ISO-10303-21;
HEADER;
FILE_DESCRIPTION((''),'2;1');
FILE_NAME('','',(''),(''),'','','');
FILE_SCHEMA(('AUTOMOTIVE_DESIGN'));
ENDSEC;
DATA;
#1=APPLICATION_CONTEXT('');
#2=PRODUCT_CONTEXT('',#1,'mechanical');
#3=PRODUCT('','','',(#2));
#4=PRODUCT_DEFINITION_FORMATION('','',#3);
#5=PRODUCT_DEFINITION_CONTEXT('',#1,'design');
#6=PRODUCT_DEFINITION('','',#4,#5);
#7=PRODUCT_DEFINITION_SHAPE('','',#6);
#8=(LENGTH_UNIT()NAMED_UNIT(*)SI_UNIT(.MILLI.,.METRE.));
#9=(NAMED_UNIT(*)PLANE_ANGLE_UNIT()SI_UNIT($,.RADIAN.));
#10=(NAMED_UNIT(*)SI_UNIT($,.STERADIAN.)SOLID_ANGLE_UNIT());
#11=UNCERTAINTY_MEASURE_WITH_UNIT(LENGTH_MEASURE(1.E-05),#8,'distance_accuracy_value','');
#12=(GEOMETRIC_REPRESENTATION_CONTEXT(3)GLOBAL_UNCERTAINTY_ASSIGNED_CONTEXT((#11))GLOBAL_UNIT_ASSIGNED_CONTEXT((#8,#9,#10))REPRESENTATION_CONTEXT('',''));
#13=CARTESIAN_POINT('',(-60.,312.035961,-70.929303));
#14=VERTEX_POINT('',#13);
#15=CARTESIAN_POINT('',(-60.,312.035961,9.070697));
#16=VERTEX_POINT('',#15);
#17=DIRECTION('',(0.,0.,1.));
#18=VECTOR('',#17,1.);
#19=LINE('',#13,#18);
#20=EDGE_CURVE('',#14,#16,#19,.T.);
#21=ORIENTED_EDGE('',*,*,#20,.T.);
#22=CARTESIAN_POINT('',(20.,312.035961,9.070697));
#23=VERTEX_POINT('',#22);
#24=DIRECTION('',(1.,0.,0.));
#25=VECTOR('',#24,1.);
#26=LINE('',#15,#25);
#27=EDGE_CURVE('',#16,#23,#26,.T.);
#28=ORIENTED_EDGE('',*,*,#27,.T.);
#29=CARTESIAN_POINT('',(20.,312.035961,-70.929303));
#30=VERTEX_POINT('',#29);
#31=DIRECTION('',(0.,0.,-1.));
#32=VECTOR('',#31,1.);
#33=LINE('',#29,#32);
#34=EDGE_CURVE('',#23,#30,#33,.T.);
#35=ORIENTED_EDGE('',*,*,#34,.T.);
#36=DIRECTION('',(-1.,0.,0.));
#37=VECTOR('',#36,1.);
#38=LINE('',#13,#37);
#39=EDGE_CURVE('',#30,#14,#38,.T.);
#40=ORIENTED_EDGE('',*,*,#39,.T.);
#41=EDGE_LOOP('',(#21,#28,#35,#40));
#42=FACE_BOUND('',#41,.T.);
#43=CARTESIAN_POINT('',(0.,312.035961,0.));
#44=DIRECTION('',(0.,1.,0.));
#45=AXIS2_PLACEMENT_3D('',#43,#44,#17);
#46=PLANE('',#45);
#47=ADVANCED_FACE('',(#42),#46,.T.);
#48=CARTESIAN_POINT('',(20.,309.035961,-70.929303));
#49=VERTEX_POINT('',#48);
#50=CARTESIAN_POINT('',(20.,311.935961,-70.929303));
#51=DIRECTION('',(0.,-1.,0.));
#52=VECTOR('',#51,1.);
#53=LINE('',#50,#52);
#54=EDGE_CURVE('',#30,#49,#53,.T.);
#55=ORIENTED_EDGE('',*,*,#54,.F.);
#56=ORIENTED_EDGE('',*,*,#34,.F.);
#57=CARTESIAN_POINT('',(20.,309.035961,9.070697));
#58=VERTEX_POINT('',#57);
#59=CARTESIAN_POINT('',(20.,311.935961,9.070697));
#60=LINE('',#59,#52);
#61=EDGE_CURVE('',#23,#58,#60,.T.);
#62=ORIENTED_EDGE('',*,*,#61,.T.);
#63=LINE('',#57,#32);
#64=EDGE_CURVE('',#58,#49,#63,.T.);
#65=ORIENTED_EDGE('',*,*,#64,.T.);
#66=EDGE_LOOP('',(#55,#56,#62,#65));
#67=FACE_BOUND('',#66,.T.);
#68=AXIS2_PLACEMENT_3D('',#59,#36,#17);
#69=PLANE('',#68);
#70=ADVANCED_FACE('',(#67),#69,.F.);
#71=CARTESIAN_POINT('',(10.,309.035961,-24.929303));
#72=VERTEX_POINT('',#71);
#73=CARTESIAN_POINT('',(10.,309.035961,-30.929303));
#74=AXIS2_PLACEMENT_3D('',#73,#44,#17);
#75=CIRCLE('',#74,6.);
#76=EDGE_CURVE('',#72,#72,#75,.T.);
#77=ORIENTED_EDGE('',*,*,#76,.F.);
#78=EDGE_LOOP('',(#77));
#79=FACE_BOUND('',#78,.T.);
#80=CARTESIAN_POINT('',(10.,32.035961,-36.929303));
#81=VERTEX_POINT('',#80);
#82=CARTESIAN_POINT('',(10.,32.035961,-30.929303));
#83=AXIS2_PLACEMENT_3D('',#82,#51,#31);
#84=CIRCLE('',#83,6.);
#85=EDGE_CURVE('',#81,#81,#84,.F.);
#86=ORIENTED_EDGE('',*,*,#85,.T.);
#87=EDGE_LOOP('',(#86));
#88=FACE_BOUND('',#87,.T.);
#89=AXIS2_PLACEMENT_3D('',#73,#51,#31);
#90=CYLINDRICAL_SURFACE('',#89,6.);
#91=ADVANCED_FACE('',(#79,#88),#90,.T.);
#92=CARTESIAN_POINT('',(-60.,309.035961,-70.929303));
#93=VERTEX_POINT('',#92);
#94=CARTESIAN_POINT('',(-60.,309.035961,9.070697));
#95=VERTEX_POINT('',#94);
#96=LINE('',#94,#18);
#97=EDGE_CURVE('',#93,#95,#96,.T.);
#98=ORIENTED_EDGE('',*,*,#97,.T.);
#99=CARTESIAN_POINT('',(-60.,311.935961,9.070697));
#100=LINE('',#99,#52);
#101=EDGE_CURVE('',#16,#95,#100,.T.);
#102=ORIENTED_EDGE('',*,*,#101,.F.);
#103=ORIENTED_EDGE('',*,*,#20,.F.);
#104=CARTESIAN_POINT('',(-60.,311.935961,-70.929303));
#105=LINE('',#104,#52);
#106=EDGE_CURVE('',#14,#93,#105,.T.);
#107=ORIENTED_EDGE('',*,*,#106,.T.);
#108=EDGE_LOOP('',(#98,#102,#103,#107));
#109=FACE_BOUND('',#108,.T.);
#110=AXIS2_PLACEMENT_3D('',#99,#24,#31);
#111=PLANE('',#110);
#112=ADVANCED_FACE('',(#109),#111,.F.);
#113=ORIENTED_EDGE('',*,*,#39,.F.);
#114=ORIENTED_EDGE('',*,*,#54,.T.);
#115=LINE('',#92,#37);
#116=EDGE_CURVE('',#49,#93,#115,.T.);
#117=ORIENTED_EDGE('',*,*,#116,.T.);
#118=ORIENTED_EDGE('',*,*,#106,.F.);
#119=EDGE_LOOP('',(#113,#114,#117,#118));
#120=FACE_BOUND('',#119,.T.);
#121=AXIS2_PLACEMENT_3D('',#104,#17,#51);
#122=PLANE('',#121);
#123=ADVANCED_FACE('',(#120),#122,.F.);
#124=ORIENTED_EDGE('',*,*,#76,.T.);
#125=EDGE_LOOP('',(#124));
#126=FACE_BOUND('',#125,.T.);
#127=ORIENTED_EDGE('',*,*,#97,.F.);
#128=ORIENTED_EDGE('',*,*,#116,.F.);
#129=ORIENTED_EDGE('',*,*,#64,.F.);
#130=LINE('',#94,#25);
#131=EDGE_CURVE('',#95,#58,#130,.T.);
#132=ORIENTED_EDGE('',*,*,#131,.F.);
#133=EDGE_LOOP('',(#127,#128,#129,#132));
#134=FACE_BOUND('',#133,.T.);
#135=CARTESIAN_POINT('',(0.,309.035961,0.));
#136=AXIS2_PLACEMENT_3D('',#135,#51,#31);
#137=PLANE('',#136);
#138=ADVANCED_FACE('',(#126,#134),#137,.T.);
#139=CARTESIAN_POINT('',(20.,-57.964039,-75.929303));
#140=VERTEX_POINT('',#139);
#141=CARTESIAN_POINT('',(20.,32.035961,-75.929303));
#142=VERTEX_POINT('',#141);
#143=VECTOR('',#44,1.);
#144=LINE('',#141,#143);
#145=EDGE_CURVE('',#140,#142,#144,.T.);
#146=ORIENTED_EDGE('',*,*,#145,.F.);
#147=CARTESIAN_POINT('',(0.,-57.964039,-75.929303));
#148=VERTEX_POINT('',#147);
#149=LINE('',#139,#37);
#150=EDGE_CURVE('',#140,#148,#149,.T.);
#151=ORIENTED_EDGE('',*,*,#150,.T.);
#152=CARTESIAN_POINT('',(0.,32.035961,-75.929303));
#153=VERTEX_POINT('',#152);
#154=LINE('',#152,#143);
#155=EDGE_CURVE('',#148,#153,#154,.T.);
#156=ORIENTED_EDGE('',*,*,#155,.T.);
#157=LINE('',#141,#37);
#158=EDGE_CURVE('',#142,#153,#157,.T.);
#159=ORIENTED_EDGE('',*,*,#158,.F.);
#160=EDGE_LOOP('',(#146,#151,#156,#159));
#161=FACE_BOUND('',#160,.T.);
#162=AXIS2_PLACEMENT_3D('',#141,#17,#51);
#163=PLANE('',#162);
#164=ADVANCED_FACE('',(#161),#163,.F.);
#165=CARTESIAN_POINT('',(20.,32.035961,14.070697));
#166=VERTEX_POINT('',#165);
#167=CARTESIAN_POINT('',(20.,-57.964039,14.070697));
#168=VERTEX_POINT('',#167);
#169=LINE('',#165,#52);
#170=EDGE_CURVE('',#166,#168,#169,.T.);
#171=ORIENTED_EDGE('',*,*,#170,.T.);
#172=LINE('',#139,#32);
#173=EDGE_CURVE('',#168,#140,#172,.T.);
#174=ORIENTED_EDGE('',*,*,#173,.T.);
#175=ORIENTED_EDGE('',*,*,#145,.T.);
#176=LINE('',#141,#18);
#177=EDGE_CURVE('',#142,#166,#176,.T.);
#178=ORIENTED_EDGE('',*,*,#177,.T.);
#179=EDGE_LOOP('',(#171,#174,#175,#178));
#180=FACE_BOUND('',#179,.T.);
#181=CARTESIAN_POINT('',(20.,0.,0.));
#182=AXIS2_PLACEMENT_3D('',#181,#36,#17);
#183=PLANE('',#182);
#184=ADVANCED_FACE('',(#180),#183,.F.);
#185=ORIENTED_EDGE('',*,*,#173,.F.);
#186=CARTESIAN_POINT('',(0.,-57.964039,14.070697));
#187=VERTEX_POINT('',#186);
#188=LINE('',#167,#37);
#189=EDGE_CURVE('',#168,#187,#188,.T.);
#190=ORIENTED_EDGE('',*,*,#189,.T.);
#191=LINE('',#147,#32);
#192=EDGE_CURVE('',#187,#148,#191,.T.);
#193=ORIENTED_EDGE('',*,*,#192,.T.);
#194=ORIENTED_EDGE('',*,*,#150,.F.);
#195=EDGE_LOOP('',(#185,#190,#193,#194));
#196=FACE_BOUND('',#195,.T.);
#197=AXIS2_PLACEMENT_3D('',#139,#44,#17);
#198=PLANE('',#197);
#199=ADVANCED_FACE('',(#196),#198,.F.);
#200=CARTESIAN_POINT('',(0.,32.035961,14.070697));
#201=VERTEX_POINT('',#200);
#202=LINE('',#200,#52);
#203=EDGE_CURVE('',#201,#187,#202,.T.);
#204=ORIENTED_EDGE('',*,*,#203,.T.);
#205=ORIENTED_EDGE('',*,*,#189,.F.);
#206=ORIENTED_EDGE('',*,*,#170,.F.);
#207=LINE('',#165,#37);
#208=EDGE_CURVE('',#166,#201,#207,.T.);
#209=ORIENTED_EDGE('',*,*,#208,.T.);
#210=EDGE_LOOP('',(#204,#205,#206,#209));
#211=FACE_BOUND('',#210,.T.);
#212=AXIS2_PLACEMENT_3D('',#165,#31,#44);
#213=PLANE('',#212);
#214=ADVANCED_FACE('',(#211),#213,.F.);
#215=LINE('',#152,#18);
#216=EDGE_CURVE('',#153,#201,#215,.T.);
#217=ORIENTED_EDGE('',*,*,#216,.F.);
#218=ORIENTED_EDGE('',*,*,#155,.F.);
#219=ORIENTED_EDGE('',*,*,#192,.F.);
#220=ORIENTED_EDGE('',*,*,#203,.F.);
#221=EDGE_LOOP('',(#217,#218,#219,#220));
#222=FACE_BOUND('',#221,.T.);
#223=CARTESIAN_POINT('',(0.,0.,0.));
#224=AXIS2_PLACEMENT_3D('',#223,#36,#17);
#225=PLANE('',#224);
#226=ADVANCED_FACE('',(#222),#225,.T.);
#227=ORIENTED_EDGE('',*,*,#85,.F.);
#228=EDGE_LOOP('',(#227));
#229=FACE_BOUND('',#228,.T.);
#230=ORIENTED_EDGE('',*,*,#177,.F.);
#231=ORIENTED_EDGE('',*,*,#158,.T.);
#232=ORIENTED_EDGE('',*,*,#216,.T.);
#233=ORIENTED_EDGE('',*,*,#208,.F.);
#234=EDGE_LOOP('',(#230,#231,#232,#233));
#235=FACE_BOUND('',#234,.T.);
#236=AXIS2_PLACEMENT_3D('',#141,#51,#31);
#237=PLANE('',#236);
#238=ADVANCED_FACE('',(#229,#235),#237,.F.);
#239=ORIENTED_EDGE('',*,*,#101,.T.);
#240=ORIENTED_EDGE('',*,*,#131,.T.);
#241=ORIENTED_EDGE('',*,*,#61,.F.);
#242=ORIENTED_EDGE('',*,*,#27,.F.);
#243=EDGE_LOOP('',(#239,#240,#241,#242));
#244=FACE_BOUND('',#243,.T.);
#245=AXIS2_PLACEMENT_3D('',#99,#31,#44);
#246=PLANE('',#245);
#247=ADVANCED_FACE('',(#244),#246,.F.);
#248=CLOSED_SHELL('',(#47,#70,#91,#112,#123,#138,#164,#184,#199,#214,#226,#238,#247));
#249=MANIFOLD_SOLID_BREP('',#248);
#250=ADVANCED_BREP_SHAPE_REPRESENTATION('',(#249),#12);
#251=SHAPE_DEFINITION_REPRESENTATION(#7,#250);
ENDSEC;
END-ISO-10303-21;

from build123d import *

# Parameters (mm, degrees)
ESQUISSE1_W        = 90
ESQUISSE1_H        = 90
BOSS_EXTRU_1_DEPTH = 20
ESQUISSE2_R        = 6
BOSS_EXTRU_2_DEPTH = 277
ESQUISSE3_W        = 80
ESQUISSE3_H        = 80
BOSS_EXTRU_3_DEPTH = 2.9
ESQUISSE4_W        = 80
ESQUISSE4_H        = 80
BOSS_EXTRU_4_DEPTH = 0.1


with BuildPart() as part:
    # Esquisse1 → Boss.-Extru.1 (new body)
    with BuildSketch(Plane(origin=(0, 0, 0), x_dir=(0, 0, -1), z_dir=(1, 0, 0))):
        with Locations((30.929303344, -12.964038863)):
            Rectangle(ESQUISSE1_W, ESQUISSE1_H)
    extrude(amount=BOSS_EXTRU_1_DEPTH)

    # Esquisse2 → Boss.-Extru.2 (add)
    with BuildSketch(Plane(origin=(0, 32.035961137, 0), x_dir=(1, 0, 0), z_dir=(0, 1, 0))):
        with Locations(Location((10, 30.929303344, 0), (0, 0, 90))):
            Circle(ESQUISSE2_R)
    extrude(amount=BOSS_EXTRU_2_DEPTH)

    # Esquisse3 → Boss.-Extru.3 (add)
    with BuildSketch(Plane(origin=(0, 309.035961137, 0), x_dir=(1, 0, 0), z_dir=(0, 1, 0))):
        with Locations((-20, 30.929303344)):
            Rectangle(ESQUISSE3_W, ESQUISSE3_H)
    extrude(amount=BOSS_EXTRU_3_DEPTH)

    # Esquisse4 → Boss.-Extru.4 (add)
    with BuildSketch(Plane(origin=(0, 311.935961137, 0), x_dir=(1, 0, 0), z_dir=(0, 1, 0))):
        with Locations((-20, 30.929303344)):
            Rectangle(ESQUISSE4_W, ESQUISSE4_H)
    extrude(amount=BOSS_EXTRU_4_DEPTH)


solid = part.part
